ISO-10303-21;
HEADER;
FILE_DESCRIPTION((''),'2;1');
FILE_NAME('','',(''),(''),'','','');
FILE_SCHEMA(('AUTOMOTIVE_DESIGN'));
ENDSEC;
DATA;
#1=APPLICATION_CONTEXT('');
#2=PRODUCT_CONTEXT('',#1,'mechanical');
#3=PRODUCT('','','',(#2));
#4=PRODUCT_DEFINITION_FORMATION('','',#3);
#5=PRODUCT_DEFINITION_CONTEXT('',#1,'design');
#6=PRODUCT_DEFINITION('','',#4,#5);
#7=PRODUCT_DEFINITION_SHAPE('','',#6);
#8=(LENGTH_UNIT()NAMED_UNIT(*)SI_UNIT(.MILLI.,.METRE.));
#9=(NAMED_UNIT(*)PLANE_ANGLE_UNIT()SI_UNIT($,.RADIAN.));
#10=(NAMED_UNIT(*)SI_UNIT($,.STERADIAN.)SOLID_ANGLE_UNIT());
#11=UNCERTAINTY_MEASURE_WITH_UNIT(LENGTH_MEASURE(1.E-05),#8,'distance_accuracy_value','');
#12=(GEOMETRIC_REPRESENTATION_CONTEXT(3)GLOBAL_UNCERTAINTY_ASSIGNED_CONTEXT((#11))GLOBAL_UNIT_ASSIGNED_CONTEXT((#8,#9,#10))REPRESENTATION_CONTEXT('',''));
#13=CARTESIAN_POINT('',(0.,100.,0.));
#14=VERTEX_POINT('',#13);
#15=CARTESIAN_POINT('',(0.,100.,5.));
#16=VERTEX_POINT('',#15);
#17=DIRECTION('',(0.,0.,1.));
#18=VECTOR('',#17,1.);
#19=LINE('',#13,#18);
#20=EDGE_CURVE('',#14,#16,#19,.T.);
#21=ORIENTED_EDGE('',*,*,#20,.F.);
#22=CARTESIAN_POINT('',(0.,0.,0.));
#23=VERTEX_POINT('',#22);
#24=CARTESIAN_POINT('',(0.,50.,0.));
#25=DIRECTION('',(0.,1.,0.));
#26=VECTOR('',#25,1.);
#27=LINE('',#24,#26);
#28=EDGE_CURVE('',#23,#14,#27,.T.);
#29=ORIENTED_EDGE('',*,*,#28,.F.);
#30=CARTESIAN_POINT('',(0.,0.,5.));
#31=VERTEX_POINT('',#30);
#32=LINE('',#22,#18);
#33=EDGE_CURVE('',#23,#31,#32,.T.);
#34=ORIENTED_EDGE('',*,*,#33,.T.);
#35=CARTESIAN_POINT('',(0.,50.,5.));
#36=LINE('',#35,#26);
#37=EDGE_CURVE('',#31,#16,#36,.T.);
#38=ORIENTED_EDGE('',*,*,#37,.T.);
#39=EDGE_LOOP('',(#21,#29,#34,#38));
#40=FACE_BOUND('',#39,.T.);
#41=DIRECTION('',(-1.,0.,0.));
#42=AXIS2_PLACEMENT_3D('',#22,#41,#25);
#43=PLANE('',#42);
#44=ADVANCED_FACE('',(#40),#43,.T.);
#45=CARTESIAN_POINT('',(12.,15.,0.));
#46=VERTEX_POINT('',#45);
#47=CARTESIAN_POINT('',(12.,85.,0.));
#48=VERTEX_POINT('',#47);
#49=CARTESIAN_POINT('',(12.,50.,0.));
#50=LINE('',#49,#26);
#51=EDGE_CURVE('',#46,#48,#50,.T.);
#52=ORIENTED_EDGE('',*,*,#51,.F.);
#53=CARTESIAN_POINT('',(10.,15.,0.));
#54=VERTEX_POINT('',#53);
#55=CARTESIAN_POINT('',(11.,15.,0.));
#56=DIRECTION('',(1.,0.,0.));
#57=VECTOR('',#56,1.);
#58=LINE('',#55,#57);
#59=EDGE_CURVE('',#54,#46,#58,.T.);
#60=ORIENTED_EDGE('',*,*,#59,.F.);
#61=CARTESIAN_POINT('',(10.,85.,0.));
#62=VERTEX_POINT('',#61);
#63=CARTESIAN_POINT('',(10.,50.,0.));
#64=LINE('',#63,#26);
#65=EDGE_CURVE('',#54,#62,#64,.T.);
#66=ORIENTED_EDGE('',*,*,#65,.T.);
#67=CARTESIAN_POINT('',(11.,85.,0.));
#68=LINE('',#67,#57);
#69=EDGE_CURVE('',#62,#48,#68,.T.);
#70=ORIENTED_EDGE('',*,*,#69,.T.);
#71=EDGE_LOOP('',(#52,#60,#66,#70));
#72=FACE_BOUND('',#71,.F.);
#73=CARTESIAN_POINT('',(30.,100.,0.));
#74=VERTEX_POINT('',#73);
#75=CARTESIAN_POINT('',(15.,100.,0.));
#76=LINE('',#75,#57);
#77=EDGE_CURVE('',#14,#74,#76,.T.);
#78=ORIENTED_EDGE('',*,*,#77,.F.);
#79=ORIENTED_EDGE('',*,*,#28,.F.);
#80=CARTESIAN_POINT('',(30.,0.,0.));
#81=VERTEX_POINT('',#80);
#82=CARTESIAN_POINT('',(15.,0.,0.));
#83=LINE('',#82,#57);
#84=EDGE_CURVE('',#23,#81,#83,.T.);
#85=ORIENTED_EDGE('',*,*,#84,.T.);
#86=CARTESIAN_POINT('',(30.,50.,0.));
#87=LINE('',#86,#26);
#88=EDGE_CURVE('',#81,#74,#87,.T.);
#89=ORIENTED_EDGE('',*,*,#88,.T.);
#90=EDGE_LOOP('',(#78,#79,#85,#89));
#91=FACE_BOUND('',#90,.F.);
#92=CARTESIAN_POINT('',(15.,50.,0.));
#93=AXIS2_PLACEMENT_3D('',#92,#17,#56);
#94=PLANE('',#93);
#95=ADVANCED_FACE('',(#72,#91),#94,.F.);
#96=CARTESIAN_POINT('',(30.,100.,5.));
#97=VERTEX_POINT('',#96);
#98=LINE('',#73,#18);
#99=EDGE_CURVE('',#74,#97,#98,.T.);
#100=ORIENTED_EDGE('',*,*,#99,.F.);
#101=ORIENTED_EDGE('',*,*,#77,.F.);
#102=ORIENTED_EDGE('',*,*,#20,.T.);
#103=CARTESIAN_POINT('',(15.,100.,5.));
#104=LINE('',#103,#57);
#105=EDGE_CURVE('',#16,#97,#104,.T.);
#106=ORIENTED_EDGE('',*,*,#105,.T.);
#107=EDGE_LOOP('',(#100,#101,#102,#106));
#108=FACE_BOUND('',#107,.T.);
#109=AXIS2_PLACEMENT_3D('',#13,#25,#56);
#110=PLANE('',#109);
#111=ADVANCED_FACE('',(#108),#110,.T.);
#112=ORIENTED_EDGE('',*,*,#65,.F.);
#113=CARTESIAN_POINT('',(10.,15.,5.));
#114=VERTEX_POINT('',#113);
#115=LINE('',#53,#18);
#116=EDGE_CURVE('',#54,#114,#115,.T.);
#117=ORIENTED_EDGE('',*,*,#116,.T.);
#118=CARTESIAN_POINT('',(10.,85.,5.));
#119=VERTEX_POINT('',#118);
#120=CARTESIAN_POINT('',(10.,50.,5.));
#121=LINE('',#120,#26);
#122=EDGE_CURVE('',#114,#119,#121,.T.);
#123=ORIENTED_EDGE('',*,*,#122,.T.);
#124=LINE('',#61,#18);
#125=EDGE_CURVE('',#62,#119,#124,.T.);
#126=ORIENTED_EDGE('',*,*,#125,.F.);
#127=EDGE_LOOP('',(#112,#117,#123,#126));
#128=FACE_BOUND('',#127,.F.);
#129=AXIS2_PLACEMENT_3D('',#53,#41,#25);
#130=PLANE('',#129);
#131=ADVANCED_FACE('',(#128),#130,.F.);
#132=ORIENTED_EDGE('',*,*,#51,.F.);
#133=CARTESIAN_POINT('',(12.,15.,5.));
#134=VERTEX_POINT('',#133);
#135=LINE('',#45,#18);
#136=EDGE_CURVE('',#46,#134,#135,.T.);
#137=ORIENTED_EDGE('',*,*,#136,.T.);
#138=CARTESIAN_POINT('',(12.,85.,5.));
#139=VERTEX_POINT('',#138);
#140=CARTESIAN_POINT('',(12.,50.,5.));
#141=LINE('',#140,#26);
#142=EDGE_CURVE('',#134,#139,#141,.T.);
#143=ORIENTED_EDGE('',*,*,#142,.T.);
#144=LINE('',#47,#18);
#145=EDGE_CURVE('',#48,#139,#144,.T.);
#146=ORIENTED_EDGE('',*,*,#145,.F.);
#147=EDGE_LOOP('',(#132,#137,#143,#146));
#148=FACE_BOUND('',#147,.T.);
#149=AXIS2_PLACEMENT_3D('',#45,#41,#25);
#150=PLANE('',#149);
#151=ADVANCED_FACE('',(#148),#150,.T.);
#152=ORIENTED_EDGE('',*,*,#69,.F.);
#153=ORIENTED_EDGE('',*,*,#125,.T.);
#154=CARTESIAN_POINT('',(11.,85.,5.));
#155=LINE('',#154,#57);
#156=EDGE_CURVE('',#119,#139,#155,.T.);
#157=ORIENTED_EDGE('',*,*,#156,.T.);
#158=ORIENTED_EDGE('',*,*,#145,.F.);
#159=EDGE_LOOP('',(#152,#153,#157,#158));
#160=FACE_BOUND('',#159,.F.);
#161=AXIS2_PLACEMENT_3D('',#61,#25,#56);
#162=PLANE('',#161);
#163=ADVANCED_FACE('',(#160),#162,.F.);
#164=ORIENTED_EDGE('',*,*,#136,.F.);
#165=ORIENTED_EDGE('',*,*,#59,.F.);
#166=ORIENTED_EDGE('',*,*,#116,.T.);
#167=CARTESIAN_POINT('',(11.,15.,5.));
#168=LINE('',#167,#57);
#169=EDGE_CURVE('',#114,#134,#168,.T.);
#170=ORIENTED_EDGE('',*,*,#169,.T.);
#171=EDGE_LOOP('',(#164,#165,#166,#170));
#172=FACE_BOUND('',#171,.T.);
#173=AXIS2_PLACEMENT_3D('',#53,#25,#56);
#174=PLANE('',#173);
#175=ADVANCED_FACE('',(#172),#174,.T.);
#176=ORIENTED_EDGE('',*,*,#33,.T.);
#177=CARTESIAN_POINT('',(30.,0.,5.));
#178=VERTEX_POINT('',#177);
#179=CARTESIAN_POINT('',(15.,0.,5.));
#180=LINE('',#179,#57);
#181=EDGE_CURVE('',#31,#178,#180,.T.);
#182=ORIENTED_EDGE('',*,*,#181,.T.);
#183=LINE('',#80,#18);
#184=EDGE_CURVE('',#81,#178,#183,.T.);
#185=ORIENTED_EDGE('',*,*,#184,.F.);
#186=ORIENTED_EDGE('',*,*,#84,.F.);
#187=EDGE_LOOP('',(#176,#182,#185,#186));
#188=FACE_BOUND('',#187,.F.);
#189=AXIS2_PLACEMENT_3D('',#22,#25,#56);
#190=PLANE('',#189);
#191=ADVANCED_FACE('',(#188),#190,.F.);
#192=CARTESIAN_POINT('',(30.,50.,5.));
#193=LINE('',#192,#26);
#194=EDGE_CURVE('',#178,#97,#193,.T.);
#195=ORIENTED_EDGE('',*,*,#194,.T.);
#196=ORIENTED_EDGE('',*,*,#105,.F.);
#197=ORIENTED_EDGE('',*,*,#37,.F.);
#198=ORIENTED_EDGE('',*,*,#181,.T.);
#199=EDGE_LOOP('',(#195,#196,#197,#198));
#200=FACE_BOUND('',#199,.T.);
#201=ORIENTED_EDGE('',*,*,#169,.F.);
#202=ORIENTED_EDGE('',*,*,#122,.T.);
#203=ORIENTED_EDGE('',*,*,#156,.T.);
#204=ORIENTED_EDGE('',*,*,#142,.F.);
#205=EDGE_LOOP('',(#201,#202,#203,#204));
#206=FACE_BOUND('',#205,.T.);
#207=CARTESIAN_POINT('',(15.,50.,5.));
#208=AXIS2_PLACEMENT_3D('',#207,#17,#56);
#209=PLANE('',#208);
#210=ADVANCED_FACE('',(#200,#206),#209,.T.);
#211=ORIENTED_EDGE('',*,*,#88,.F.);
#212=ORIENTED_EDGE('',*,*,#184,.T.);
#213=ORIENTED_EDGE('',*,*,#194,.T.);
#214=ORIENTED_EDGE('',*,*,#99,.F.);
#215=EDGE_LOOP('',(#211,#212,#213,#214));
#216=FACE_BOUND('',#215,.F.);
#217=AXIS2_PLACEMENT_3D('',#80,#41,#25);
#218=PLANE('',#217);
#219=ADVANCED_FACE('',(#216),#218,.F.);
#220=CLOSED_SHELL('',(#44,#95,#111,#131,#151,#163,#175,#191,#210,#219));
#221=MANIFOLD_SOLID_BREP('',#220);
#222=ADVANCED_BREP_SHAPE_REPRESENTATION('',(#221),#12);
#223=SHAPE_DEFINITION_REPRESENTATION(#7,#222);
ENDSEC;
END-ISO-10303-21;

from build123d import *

# Parameters (mm, degrees)
BOX008_W     = 2
BOX008_H     = 70
BOX008_DEPTH = 5
BOX007_W     = 30
BOX007_H     = 100
BOX007_DEPTH = 5


with BuildPart() as faderslot:
    # Box008 → Box008 (new body)
    with BuildSketch(Plane(origin=(10, 15, 0), x_dir=(1, 0, 0), z_dir=(0, 0, 1))):
        with Locations((1, 35)):
            Rectangle(BOX008_W, BOX008_H)
    extrude(amount=BOX008_DEPTH)


with BuildPart() as top_plate:
    # Box007 → Box007 (new body)
    with BuildSketch(Plane.XY):
        with Locations((15, 50)):
            Rectangle(BOX007_W, BOX007_H)
    extrude(amount=BOX007_DEPTH)

    # Cut004: cut FaderSlot
    add(faderslot.part, mode=Mode.SUBTRACT)


solid = top_plate.part
